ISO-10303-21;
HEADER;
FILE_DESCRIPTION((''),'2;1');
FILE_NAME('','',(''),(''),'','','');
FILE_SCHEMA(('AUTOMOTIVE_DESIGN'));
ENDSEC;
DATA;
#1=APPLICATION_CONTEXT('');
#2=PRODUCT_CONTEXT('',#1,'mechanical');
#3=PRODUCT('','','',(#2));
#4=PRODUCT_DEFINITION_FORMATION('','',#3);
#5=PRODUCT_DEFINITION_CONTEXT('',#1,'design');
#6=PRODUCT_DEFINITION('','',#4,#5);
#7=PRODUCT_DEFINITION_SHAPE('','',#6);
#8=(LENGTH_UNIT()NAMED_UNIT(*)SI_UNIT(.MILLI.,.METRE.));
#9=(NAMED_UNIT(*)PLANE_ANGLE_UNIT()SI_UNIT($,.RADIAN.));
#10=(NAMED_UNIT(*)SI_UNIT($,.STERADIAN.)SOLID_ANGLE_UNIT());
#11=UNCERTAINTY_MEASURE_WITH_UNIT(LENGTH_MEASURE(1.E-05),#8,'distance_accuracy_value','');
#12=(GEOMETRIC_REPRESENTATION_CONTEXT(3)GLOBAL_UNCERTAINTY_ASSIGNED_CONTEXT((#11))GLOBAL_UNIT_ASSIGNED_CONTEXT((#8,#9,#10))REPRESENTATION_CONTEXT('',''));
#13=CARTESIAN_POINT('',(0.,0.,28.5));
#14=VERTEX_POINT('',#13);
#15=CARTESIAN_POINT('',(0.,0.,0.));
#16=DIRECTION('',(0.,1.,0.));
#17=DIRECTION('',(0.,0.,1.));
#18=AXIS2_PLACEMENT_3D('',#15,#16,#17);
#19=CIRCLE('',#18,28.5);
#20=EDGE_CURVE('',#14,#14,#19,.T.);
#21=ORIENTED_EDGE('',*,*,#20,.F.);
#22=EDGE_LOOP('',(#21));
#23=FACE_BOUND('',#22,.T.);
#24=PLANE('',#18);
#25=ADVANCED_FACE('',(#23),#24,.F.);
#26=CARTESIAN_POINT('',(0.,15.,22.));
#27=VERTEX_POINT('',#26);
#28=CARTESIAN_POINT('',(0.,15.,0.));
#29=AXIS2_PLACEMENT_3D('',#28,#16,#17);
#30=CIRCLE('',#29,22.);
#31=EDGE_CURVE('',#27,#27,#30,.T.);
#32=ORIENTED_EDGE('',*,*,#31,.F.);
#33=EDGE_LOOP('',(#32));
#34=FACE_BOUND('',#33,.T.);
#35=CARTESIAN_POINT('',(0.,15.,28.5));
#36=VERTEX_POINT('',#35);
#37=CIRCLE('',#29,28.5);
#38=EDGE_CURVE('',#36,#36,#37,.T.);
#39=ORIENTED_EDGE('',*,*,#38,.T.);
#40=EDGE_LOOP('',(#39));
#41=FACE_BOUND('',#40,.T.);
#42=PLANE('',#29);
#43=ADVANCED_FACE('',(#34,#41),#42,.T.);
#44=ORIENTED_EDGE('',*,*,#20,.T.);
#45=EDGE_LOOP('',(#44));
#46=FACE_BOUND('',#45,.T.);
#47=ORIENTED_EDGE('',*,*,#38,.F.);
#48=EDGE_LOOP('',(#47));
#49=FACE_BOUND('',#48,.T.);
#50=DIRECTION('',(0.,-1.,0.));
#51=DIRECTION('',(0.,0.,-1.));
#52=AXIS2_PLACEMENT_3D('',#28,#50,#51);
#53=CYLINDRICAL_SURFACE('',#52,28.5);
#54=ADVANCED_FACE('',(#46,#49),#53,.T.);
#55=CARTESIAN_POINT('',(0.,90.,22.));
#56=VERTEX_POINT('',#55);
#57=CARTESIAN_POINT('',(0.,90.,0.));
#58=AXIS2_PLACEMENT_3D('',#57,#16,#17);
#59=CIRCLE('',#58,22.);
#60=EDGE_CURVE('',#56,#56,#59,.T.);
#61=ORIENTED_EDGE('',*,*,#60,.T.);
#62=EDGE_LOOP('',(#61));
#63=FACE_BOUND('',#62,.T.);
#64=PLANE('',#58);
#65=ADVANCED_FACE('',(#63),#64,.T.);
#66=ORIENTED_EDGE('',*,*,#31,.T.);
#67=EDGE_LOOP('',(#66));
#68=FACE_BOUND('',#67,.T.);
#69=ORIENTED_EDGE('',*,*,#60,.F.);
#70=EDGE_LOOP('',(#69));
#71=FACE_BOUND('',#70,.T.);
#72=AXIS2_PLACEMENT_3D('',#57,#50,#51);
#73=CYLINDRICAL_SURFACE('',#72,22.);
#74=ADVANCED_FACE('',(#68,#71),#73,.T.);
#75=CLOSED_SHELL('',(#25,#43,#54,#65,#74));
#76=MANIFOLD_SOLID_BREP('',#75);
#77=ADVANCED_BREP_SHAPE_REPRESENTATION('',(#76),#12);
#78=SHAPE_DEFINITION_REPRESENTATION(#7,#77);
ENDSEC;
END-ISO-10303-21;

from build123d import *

# Parameters (mm, degrees)
SKETCH1_R           = 28.5
BOSS_EXTRUDE1_DEPTH = 15
SKETCH2_R           = 22
BOSS_EXTRUDE2_DEPTH = 75


with BuildPart() as part:
    # Sketch1 → Boss-Extrude1 (new body)
    with BuildSketch(Plane(origin=(0, 0, 0), x_dir=(1, 0, 0), z_dir=(0, 1, 0))):
        with Locations(Location((0, 0, 0), (0, 0, 270))):  # turned: the seam where the file's is
            Circle(SKETCH1_R)
    extrude(amount=BOSS_EXTRUDE1_DEPTH)

    # Sketch2 → Boss-Extrude2 (add)
    with BuildSketch(Plane(origin=(0, 15, 0), x_dir=(1, 0, 0), z_dir=(0, 1, 0))):
        with Locations(Location((0, 0, 0), (0, 0, 270))):  # turned: the seam where the file's is
            Circle(SKETCH2_R)
    extrude(amount=BOSS_EXTRUDE2_DEPTH)


solid = part.part
